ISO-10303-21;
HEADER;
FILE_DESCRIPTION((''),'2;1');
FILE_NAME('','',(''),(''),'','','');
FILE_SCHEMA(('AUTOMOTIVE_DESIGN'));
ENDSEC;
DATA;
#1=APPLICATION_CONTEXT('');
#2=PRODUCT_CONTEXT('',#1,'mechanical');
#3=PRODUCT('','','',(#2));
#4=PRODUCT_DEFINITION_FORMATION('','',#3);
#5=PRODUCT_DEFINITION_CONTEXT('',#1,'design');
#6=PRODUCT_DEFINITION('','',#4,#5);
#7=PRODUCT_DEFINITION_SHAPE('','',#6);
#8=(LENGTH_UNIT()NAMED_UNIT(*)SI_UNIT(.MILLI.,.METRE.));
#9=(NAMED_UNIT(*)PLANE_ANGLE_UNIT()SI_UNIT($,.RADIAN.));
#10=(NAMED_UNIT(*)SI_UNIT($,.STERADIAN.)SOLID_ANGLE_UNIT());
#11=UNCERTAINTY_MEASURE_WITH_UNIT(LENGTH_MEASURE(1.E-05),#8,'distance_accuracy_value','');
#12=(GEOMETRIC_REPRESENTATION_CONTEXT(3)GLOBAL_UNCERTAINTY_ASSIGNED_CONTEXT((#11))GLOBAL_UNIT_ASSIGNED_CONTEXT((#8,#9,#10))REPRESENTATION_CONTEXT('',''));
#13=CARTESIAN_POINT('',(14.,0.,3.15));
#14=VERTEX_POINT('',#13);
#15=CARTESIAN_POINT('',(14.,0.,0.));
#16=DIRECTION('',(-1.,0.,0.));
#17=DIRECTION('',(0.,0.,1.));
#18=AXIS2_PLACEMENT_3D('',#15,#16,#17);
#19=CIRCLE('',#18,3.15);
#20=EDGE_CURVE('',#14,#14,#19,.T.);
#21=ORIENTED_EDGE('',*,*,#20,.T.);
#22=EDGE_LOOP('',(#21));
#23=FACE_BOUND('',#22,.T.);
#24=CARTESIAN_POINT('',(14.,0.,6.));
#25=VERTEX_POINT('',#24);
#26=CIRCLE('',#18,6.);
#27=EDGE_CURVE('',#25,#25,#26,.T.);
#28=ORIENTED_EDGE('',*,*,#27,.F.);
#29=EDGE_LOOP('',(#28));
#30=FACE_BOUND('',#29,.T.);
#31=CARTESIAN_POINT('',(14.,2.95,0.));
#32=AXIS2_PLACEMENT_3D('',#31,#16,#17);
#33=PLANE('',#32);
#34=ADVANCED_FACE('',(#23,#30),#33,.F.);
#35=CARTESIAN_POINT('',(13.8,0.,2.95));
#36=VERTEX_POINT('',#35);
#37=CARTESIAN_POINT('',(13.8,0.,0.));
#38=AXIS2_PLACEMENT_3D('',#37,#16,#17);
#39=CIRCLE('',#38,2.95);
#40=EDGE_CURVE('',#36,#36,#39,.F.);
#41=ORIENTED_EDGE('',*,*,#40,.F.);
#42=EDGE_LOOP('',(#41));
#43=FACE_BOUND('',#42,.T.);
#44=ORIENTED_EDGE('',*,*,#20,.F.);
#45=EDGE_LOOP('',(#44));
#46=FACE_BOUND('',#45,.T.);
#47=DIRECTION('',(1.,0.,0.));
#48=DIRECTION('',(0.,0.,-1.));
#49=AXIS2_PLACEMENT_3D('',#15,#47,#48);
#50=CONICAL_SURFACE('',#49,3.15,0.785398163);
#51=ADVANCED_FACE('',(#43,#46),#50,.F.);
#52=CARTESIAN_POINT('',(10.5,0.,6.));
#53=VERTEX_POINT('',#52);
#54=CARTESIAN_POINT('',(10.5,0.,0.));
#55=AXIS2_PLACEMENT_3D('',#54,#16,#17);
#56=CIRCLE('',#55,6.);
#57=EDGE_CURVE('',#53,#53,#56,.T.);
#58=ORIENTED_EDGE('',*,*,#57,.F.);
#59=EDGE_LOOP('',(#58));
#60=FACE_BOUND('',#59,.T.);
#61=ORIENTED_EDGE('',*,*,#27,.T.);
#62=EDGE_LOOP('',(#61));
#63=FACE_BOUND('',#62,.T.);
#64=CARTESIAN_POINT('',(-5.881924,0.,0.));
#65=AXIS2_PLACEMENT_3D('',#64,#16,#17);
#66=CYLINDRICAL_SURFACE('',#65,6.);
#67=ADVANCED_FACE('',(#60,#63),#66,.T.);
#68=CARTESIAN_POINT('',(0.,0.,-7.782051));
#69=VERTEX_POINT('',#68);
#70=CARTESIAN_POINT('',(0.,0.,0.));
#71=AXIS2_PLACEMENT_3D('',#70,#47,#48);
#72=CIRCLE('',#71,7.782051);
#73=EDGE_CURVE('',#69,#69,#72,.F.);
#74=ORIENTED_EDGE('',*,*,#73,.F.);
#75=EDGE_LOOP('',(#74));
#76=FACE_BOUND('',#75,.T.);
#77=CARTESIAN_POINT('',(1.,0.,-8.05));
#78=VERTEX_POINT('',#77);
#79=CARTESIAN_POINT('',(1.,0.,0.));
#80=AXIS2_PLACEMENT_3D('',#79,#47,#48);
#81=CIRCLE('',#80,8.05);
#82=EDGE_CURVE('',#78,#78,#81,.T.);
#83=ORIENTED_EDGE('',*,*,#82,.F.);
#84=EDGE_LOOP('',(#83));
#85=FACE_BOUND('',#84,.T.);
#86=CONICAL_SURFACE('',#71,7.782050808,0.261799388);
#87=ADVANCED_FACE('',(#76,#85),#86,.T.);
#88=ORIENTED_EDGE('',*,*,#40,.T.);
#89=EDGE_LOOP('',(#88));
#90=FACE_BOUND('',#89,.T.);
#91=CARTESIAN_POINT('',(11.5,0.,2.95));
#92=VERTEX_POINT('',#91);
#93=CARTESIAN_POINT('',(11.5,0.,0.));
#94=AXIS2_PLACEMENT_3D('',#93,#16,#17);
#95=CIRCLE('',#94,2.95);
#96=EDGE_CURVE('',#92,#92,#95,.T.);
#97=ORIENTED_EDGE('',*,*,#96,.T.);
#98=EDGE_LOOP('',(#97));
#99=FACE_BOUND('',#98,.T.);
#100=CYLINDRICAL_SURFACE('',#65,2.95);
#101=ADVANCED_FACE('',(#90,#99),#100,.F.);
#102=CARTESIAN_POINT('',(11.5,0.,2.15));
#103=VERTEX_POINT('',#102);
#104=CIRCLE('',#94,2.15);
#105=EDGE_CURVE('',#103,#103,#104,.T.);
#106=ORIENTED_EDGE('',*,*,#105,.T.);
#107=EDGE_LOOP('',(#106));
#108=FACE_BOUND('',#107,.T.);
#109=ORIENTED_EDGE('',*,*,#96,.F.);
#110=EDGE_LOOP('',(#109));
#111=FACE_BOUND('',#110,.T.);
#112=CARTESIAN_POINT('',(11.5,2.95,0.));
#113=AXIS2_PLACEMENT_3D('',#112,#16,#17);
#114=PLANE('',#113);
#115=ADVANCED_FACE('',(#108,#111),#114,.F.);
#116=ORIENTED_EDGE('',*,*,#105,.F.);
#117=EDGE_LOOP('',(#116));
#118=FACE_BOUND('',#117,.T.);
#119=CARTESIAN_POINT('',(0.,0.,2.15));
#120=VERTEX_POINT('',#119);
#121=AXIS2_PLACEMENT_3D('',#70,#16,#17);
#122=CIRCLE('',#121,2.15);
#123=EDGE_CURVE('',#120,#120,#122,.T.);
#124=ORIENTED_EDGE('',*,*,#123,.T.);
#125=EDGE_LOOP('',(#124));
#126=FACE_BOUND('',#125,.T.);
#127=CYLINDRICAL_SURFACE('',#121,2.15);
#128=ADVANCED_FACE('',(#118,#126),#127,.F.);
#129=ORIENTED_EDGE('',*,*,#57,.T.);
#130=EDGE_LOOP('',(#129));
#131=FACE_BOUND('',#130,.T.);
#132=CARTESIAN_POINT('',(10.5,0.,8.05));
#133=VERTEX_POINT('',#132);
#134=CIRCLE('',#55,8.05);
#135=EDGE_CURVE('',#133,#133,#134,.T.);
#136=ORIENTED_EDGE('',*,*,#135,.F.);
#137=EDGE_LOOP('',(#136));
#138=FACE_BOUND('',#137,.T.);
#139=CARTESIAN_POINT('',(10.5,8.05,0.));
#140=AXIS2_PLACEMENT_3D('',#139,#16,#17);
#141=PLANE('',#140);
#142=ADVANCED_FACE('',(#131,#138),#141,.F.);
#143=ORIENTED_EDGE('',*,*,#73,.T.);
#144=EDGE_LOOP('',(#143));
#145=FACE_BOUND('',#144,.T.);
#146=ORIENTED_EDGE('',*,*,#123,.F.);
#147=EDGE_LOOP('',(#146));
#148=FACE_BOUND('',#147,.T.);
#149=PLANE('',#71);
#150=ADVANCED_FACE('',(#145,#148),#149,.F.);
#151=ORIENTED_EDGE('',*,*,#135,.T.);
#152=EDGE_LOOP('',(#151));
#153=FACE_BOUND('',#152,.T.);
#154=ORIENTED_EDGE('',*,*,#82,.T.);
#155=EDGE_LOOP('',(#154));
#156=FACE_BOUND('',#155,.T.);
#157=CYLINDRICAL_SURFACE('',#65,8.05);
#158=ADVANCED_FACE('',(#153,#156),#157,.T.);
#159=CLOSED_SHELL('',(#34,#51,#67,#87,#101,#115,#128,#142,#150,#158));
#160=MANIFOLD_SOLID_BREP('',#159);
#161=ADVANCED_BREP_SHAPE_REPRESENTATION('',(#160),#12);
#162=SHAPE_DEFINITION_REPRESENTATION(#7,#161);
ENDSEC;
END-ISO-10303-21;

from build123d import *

# Parameters (mm, degrees)
CHAMFER_1_SIZE  = 1
CHAMFER_1_SIZE2 = 0.267949192
CHAMFER_2_SIZE  = 0.2
HOLE_WIZARD_1_D = 4.3


with BuildPart() as part:
    # Эскиз1 → Повернуть1 (revolve)
    with BuildSketch(Plane.XY, mode=Mode.PRIVATE) as revolve_1_sk:
        Polygon((14, 2.95), (11.5, 2.95), (11.5, 0), (0, 0), (0, 8.05), (10.5, 8.05), (10.5, 6), (14, 6), align=None)
    revolve(revolve_1_sk.sketch.rotate(Axis((-5.881924198, 0, 0), (1, 0, 0)), 90), axis=Axis((-5.881924198, 0, 0), (1, 0, 0)))

    # Фаска1
    chamfer_1_edges = [part.edges().sort_by_distance(p)[0] for p in [
        (0, 0, -8.05),
    ]]
    chamfer_1_side = [part.faces().sort_by_distance(p)[0] for p in [
        (5.25, 0, -8.05),
    ]]
    chamfer(chamfer_1_edges, length=CHAMFER_1_SIZE, length2=CHAMFER_1_SIZE2, reference=chamfer_1_side[0])

    # Фаска2
    chamfer_2_edges = [part.edges().sort_by_distance(p)[0] for p in [
        (14, 0, -2.95),
    ]]
    chamfer(chamfer_2_edges, length=CHAMFER_2_SIZE)

    # Отверстие с зазором 1 (through all)
    with Locations(Plane.ZY):
        with Locations((0, 0)):
            Hole(HOLE_WIZARD_1_D / 2)


solid = part.part
